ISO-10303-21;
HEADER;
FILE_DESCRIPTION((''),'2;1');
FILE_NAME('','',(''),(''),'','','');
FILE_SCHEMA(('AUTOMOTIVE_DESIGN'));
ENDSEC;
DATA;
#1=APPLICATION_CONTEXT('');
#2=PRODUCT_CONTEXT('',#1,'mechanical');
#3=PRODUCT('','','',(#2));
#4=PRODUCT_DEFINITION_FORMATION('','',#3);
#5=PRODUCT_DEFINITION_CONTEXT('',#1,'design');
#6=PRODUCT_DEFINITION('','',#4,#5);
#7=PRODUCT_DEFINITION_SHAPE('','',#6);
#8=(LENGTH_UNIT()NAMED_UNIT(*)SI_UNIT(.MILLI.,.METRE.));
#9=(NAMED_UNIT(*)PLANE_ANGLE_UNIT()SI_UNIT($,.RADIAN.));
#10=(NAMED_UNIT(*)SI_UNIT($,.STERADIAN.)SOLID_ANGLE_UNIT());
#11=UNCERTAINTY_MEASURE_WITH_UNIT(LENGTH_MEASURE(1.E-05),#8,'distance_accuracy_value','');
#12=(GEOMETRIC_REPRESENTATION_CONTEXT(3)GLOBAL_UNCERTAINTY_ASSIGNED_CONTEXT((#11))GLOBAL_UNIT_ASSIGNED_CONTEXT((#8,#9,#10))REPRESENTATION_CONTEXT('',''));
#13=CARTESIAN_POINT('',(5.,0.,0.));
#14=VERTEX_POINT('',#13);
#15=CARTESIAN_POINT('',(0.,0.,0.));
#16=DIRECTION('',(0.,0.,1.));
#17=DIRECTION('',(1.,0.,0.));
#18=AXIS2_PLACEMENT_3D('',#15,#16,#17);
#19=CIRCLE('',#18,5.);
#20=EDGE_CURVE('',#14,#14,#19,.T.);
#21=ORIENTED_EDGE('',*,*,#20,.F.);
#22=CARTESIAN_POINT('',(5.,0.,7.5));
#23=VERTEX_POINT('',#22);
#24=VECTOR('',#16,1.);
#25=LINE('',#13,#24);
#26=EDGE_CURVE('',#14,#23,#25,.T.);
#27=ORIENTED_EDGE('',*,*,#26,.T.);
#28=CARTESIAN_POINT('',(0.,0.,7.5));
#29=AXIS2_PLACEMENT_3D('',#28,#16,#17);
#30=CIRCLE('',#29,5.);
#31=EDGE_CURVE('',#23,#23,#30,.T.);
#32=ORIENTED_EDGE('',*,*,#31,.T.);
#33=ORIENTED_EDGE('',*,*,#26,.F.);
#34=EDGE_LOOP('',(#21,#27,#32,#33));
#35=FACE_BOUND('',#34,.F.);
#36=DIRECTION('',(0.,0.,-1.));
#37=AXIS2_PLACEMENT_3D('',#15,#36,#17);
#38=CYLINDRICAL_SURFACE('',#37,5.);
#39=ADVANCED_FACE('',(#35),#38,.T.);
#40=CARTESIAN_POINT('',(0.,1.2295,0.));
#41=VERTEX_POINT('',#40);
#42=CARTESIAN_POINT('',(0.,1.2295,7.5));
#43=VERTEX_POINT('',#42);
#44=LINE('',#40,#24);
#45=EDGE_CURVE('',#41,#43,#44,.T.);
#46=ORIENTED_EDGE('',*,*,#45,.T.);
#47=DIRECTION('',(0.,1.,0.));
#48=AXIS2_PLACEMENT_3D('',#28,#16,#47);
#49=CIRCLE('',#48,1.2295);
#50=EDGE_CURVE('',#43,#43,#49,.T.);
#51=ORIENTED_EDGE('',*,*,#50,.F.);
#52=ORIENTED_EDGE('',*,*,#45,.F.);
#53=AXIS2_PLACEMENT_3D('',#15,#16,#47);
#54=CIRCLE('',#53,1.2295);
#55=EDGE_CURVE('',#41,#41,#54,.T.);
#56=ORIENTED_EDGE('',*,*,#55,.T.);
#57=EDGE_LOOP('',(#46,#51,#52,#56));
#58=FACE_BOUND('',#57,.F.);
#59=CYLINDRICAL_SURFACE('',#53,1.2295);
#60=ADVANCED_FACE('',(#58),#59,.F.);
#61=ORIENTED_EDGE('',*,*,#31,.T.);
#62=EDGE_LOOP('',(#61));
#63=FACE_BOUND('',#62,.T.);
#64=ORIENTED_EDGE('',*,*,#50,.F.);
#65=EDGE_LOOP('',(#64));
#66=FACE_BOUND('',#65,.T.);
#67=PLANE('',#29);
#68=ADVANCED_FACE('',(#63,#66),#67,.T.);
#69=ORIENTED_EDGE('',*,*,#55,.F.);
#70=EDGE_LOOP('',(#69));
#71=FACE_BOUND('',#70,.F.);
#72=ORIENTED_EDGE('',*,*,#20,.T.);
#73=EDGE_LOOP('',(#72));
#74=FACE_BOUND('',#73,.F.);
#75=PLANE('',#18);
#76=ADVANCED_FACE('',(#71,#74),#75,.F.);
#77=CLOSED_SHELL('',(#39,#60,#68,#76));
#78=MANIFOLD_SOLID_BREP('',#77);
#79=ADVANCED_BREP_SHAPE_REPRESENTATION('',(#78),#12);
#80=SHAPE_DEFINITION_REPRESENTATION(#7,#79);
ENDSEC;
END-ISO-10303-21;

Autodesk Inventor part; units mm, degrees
ref_plane "YZ Plane" through (0, 0, 0) normal (1, 0, 0) x (0, 1, 0)
ref_plane "XZ Plane" through (0, 0, 0) normal (0, 1, 0) x (-1, 0, 0)
ref_plane "XY Plane" through (0, 0, 0) normal (0, 0, 1) x (1, 0, 0)
sketch "スケッチ1" plane through (0, 0, 0) normal (0, 0, 1) x (1, 0, 0)
  circle A0 centre (0, 0) radius 5
  dimension "d0" = 10
extrude "押し出し1" add sketch "スケッチ1" along normal blind 7.5
sketch "スケッチ2" plane through (0, 0, 0) normal (0, 0, -1) x (-1, 0, 0)
  circle A0 centre (0, 0) radius 5 projected
hole "穴1" at (0, 0, 0) direction (0, 0, 1) diameter 2.459 depth 10 thread size "M3x0.5" class "6H" standard "ISO Metric profile"
properties part number "shortshaft1" material "アルミニウム 6061"
